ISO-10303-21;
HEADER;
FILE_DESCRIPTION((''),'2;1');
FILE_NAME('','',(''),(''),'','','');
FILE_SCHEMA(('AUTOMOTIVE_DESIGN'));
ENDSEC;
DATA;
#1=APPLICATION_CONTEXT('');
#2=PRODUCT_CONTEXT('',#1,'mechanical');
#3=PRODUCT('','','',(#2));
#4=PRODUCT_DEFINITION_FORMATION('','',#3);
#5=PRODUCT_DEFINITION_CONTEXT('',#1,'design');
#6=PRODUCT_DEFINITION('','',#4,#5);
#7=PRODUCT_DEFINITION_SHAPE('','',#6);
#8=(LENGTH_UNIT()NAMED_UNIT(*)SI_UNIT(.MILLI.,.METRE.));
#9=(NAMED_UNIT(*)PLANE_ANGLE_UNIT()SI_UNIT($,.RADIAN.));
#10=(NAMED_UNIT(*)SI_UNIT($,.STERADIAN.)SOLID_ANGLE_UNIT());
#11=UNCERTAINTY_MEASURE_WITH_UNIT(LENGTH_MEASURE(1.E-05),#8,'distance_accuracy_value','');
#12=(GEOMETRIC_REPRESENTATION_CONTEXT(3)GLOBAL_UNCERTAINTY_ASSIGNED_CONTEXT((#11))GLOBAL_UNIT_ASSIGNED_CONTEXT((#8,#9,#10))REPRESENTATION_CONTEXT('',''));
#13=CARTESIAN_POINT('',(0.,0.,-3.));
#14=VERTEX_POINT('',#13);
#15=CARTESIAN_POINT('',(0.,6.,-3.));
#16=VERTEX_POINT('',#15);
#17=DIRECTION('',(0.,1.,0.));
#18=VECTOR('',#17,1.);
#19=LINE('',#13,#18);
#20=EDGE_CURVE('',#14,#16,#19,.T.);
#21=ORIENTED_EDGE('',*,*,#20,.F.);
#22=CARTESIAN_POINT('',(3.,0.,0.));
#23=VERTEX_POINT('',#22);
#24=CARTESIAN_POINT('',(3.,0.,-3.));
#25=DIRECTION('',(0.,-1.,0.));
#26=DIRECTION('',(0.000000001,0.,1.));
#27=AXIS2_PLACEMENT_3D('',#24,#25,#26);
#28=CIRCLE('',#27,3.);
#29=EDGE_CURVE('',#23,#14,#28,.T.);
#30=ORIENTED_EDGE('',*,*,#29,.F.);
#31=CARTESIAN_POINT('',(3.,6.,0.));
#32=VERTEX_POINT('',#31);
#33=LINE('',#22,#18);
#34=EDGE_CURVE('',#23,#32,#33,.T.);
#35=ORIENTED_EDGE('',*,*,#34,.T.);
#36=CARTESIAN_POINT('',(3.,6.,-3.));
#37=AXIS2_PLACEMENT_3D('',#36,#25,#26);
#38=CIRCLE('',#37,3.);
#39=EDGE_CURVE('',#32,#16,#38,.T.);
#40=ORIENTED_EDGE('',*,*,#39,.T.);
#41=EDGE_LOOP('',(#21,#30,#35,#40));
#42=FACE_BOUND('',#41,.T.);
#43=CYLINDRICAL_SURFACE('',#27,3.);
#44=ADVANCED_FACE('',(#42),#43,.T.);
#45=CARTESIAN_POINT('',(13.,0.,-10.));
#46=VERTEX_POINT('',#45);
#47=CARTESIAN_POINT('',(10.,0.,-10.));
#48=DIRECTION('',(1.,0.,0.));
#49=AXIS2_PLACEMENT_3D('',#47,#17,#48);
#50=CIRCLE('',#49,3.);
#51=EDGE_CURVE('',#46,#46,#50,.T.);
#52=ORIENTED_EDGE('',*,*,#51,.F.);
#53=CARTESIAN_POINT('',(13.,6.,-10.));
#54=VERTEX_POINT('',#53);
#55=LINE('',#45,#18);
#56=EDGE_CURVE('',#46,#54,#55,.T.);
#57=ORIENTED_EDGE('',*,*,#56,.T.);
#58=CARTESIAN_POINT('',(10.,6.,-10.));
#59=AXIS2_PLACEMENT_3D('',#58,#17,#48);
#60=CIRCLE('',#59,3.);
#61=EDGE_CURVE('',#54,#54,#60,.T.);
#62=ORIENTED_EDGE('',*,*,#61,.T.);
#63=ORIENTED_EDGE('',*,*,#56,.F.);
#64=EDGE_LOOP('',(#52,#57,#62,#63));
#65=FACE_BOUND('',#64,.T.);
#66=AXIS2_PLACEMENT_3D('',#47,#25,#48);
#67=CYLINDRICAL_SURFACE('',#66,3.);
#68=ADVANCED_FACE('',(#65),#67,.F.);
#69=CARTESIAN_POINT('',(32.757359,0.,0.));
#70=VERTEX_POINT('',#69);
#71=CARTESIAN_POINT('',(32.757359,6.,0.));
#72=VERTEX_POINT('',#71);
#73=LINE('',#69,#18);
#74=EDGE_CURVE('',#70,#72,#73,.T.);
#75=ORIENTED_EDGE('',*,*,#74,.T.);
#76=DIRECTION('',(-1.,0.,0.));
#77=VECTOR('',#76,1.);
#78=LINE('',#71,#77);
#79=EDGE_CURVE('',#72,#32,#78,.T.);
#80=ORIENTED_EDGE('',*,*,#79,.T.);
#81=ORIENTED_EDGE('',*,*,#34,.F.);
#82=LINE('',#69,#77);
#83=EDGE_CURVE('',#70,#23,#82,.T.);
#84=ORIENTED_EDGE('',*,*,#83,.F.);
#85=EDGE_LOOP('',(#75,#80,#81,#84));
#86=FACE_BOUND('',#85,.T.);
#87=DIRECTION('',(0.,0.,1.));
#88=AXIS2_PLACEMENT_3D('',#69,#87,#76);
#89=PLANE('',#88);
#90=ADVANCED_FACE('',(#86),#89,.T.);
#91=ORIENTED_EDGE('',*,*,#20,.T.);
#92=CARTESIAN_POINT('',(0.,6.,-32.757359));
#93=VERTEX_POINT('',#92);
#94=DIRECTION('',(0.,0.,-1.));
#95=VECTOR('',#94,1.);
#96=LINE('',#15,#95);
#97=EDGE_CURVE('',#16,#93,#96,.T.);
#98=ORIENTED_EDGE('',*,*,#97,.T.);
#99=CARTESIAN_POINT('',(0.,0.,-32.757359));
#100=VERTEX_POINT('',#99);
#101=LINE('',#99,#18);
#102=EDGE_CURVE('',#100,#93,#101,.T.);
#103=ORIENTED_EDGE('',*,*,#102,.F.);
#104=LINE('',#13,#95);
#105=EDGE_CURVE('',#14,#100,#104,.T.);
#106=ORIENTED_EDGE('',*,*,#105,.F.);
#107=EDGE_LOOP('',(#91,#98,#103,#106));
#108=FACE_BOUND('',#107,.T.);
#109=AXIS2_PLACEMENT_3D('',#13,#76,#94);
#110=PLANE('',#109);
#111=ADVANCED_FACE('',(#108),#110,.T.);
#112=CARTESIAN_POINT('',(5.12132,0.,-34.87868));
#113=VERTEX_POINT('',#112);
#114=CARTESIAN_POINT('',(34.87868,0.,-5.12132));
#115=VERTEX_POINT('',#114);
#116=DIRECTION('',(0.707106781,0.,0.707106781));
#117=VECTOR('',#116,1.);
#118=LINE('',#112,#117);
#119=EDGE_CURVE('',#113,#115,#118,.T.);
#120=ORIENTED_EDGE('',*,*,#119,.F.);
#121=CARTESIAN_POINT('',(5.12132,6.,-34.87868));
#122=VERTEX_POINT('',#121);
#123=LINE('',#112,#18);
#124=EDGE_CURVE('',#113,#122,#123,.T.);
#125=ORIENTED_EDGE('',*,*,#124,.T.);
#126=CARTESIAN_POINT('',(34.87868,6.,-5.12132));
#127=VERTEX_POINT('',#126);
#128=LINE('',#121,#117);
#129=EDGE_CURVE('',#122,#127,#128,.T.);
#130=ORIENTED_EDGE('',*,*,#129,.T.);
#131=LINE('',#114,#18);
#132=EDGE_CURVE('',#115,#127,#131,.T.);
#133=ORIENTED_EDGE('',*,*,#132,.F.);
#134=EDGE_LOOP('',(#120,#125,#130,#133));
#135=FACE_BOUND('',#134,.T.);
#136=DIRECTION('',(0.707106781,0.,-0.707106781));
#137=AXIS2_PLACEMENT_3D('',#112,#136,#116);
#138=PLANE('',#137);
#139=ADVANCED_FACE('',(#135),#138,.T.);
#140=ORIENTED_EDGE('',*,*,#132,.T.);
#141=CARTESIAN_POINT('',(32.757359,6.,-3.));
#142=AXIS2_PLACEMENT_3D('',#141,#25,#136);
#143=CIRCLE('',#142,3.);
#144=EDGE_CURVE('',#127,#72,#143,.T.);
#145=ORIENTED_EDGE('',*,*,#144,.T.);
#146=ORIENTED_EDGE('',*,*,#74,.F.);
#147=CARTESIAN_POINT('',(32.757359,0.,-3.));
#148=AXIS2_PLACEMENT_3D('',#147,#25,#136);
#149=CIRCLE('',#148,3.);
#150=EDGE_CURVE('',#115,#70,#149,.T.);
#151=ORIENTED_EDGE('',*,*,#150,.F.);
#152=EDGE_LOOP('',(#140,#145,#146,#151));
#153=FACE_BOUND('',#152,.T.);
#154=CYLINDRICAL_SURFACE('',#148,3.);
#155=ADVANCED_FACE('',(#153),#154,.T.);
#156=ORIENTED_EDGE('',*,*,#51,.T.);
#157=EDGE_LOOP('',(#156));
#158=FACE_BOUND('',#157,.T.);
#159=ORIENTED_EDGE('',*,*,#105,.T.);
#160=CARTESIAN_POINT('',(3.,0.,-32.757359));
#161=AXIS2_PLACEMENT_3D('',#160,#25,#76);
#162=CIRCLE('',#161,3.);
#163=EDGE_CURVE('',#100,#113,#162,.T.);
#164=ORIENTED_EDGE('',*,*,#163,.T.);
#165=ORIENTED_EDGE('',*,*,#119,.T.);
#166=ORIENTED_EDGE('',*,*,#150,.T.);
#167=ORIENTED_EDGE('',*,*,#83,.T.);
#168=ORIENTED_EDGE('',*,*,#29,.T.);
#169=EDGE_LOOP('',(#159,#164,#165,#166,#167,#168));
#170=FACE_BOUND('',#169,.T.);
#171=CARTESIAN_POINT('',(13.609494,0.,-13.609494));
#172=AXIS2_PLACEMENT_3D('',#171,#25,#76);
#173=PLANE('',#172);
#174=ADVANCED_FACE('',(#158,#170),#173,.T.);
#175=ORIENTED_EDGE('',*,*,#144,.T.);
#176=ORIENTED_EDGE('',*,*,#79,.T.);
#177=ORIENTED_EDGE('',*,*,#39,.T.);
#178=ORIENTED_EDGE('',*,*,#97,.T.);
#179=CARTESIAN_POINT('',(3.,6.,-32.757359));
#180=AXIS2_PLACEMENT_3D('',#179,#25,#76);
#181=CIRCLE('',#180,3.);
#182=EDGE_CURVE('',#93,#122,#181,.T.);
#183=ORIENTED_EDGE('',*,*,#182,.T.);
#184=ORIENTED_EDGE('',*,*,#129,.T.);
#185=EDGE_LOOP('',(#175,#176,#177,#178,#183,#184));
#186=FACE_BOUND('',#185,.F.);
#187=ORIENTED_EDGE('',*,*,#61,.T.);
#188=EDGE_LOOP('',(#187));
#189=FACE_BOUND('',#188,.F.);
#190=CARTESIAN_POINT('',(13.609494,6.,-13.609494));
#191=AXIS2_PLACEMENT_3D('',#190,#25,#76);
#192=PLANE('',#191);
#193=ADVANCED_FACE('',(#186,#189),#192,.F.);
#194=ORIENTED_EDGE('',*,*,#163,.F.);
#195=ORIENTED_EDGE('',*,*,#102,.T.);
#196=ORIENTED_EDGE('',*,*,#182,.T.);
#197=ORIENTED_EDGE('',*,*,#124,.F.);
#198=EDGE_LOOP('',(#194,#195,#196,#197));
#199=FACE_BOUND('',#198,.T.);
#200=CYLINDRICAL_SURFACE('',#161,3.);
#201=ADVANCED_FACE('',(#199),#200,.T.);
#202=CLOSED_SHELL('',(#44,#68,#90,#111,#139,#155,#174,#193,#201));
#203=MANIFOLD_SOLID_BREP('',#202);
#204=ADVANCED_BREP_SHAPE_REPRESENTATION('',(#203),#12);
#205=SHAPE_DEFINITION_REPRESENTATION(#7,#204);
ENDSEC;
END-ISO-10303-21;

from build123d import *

# Parameters (mm, degrees)
SKETCH1_R           = 3
BOSS_EXTRUDE1_DEPTH = 6


with BuildPart() as part:
    # Sketch1 → Boss-Extrude1 (new body)
    with BuildSketch(Plane(origin=(0, 0, 0), x_dir=(1, 0, 0), z_dir=(0, 1, 0))):
        with BuildLine():
            Line((5.121320344, 34.878679656), (34.878679656, 5.121320344))
            ThreePointArc((34.878679656, 5.121320344), (35.52899791, 1.851949703), (32.757359313, 0))
            Line((32.757359313, 0), (3, 0))
            ThreePointArc((3, 0), (0.878679656, 0.878679656), (0, 3))
            Line((0, 3), (0, 32.757359313))
            ThreePointArc((0, 32.757359313), (1.851949703, 35.52899791), (5.121320344, 34.878679656))
        make_face()
        with Locations((10, 10)):
            Circle(SKETCH1_R, mode=Mode.SUBTRACT)
    extrude(amount=BOSS_EXTRUDE1_DEPTH)


solid = part.part
